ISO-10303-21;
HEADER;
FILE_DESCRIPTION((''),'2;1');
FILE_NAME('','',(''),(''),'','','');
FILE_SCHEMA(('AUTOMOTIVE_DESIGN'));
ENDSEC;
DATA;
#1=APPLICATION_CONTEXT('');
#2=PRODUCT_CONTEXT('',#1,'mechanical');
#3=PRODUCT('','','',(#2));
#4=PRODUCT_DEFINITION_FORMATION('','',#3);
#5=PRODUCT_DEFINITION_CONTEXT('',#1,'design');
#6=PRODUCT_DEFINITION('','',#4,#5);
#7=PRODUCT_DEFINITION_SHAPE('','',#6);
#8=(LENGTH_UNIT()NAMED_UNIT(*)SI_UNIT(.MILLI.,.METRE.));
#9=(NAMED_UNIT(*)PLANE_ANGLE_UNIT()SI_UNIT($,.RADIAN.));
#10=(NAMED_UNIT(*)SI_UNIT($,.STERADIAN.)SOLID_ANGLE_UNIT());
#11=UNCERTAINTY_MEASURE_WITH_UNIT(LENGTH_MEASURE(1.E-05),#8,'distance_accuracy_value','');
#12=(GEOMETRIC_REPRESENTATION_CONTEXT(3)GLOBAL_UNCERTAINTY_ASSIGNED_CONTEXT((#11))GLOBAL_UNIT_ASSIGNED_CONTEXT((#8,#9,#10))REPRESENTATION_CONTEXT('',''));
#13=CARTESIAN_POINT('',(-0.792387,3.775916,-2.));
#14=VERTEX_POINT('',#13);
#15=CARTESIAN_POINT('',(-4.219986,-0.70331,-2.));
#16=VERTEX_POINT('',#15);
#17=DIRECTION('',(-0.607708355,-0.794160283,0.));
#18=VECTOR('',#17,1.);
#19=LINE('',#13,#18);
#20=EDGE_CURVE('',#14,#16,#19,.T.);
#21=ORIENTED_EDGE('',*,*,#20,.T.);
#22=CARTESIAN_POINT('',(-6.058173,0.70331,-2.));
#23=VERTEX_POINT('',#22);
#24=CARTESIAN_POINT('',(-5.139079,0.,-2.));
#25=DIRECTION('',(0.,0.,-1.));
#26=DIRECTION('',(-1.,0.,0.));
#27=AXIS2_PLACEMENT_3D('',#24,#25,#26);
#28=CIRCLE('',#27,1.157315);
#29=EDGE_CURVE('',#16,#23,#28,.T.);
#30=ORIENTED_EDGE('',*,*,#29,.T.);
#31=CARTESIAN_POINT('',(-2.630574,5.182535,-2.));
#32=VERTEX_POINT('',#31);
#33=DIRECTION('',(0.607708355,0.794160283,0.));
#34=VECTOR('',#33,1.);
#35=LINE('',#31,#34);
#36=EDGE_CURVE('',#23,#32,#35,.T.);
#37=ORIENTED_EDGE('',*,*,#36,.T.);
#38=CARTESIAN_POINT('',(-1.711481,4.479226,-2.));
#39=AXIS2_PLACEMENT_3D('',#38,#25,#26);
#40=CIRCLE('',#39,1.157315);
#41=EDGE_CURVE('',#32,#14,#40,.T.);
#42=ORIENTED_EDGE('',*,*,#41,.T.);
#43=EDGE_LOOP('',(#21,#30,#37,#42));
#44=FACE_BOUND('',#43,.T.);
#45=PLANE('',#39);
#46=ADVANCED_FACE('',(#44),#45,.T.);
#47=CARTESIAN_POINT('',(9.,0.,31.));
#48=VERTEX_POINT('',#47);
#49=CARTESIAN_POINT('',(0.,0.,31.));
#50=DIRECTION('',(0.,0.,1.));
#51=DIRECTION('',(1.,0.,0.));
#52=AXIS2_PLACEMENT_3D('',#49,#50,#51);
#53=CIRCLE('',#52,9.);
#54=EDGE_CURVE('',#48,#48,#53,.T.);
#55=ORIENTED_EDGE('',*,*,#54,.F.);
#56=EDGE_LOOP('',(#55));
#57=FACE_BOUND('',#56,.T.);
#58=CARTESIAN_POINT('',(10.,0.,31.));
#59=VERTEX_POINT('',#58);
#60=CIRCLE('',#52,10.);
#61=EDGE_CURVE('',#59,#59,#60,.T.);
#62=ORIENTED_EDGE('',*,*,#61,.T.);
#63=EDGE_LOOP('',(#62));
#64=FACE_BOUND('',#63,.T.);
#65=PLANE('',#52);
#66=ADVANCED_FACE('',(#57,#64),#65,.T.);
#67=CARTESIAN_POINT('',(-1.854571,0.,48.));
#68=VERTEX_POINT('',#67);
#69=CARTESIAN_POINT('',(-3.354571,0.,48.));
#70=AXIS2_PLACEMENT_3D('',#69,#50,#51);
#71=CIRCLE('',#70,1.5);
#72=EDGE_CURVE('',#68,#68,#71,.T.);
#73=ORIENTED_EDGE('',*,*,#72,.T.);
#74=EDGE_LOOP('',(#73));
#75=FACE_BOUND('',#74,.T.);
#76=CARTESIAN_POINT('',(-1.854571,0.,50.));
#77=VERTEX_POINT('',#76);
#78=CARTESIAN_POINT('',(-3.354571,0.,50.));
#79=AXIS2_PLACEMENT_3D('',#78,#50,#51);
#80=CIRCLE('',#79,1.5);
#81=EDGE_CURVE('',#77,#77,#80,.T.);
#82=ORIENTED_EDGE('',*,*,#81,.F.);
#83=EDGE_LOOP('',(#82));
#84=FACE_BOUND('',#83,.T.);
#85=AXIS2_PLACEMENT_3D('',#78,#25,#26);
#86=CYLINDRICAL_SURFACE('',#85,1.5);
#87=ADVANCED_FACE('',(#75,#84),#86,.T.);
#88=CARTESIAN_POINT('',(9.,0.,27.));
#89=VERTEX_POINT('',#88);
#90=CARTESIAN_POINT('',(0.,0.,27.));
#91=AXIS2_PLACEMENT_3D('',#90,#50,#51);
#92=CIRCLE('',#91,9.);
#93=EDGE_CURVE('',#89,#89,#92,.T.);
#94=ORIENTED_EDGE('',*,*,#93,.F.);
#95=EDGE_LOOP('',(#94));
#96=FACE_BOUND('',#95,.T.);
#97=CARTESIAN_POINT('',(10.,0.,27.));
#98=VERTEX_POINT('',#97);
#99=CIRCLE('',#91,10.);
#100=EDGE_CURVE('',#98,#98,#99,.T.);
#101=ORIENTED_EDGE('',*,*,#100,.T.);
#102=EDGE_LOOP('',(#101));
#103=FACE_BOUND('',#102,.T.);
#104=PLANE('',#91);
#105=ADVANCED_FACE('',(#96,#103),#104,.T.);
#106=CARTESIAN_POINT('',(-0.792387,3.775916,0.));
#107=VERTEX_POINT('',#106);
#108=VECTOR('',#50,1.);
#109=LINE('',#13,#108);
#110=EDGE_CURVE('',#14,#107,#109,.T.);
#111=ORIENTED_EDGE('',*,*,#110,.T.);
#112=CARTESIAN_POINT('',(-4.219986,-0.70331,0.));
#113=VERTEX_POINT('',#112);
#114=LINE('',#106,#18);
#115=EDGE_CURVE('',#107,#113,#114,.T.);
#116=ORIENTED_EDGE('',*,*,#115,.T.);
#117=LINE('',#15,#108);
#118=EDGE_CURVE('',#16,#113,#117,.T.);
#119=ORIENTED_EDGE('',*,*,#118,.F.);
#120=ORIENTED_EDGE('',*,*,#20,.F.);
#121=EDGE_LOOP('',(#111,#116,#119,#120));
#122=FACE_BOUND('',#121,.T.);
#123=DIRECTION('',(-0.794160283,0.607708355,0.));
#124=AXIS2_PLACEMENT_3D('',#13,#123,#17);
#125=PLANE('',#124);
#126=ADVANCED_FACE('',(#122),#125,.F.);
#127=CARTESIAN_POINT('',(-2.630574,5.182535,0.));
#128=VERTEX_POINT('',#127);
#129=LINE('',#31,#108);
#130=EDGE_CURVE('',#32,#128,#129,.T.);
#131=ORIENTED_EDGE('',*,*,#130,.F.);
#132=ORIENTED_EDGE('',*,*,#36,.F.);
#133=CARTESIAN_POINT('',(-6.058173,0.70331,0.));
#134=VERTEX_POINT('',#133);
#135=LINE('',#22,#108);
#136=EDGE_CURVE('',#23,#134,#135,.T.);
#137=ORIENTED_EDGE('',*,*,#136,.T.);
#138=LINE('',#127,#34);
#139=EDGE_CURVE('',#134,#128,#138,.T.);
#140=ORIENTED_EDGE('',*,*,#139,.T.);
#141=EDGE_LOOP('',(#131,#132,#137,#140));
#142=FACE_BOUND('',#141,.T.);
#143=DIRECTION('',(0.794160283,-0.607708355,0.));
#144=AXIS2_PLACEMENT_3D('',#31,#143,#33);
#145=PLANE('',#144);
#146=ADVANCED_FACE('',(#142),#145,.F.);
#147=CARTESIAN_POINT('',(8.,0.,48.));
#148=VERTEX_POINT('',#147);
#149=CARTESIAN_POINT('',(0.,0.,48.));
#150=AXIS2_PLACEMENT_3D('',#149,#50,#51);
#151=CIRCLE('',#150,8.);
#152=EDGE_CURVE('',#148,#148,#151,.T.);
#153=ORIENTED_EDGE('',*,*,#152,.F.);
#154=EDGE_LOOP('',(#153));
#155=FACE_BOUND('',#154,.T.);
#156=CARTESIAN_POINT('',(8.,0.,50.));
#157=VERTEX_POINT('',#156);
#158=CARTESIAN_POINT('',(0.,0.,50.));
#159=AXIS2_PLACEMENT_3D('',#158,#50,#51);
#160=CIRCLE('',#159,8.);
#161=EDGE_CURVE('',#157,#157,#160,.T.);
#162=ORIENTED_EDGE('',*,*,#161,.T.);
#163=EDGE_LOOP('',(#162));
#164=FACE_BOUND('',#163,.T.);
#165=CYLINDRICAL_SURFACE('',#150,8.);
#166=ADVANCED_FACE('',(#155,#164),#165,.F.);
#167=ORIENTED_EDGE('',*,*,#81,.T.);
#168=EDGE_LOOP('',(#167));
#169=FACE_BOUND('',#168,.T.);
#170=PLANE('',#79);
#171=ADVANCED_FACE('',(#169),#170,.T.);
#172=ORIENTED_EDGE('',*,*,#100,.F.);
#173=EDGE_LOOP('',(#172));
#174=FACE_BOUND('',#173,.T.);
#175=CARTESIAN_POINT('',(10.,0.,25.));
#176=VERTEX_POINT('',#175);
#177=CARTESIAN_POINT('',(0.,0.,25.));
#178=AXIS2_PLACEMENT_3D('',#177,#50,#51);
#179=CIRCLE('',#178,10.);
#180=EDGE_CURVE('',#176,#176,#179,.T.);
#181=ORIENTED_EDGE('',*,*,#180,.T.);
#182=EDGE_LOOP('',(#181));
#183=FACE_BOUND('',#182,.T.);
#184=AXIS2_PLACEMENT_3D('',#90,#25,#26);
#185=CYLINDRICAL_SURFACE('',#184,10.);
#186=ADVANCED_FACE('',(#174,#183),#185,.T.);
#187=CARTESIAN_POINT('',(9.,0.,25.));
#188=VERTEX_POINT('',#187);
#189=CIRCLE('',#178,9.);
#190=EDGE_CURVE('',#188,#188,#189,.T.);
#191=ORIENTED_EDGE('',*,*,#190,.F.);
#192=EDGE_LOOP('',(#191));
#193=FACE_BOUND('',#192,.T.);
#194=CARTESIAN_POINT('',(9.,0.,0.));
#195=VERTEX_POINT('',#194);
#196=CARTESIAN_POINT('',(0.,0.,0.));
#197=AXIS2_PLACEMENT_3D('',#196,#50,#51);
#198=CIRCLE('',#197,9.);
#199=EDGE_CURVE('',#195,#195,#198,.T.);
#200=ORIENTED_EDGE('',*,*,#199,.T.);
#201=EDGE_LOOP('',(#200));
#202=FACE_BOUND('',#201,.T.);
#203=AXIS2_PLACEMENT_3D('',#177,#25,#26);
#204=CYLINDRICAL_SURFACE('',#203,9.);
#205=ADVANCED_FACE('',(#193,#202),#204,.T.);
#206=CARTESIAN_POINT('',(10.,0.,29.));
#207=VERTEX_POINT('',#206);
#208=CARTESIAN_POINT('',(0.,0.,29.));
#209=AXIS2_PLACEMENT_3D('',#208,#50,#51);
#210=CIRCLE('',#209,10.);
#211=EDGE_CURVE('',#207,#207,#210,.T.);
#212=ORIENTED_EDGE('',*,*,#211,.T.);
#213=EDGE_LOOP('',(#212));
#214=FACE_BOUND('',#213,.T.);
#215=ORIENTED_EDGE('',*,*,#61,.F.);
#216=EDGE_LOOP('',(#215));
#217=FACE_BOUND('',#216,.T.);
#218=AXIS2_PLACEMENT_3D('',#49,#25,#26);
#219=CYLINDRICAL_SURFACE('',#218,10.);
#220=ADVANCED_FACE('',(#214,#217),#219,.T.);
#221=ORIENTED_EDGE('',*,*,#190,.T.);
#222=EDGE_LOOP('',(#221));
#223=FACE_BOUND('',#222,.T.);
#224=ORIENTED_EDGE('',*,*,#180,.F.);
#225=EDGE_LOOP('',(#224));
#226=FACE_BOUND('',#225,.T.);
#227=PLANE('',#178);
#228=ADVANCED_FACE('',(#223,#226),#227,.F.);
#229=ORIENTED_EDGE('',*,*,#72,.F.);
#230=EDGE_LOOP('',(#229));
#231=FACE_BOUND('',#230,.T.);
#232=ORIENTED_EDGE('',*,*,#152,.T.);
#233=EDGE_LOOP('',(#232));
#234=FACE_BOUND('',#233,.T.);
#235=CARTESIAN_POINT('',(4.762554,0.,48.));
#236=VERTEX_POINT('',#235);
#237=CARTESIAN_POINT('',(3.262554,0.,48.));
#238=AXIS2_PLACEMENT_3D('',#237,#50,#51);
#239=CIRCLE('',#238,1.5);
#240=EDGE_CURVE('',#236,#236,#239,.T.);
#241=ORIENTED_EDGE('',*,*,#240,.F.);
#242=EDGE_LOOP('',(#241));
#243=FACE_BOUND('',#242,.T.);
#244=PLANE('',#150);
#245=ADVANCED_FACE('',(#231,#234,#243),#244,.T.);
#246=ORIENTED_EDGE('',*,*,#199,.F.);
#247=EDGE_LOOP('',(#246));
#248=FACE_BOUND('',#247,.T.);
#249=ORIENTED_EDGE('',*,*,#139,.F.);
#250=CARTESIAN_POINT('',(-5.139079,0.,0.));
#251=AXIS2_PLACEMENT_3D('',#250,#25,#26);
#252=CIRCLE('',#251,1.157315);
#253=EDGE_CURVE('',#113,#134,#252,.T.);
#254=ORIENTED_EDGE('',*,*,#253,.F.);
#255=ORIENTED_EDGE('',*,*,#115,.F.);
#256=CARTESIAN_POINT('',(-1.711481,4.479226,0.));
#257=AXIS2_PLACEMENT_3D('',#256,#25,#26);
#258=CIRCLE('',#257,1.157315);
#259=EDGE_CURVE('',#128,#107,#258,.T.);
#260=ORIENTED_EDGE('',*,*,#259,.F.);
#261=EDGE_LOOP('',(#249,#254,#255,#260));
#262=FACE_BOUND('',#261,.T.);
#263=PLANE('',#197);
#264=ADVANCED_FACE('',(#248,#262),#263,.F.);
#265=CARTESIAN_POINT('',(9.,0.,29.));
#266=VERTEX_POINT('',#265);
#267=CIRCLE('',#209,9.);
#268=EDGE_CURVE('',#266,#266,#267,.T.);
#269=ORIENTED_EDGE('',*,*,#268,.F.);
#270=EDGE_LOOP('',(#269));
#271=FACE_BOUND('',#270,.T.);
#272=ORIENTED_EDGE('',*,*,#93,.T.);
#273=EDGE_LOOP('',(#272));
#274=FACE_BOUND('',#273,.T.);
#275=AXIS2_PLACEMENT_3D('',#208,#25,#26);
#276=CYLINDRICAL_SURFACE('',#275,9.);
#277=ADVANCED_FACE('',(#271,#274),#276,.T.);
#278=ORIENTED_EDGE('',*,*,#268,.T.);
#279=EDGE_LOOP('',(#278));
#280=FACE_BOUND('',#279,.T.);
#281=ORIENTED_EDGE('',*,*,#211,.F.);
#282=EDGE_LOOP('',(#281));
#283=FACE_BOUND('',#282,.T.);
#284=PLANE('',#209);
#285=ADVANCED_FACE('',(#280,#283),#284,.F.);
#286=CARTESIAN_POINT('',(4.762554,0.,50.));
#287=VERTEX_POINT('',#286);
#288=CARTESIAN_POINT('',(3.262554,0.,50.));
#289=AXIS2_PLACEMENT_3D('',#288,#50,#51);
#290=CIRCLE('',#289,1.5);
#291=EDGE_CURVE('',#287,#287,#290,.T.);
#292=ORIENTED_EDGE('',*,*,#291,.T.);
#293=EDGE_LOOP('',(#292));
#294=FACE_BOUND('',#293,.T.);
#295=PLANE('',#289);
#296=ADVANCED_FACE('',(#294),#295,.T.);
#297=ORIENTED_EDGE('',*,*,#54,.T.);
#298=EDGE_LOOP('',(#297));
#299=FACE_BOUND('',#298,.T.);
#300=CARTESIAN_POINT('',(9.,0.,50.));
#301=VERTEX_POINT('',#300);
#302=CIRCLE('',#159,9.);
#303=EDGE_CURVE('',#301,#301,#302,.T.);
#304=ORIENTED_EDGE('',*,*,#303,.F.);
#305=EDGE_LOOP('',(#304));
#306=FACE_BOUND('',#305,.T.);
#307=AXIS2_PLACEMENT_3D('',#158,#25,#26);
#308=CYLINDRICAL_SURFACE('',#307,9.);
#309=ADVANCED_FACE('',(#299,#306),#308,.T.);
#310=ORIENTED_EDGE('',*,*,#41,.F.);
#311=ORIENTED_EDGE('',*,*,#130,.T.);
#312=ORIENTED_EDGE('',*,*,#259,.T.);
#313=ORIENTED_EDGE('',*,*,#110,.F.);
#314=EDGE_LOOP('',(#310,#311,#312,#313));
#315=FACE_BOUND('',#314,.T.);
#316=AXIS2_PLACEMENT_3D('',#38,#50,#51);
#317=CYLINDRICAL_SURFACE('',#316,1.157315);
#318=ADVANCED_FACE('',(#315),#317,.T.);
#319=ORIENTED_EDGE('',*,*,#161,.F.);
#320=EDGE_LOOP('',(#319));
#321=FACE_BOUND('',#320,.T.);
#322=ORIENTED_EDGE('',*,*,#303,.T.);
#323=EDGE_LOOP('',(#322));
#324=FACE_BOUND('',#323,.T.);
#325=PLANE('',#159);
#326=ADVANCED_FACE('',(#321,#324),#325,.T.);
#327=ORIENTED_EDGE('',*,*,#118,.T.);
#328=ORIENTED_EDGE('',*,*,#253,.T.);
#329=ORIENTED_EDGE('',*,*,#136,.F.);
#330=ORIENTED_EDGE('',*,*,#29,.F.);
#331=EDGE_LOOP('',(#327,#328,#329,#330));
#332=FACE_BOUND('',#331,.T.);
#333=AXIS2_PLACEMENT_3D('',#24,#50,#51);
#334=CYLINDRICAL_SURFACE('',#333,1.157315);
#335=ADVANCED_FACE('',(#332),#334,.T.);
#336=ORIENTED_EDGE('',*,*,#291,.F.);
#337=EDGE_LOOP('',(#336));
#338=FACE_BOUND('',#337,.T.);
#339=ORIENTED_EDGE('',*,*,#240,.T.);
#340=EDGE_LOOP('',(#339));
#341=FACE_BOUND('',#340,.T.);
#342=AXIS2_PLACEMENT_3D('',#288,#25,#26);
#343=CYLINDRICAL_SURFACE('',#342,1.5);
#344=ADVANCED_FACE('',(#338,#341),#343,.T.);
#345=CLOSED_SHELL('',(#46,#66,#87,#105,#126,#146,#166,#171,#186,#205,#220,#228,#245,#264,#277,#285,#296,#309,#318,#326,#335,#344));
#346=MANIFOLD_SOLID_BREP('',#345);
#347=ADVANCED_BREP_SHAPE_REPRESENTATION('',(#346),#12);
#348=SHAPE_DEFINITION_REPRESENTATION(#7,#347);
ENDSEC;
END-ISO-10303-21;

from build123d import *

# Parameters (mm, degrees)
SKETCH1_R           = 9
BOSS_EXTRUDE1_DEPTH = 25
SKETCH3_R           = 10
BOSS_EXTRUDE2_DEPTH = 2
SKETCH4_R           = 9
BOSS_EXTRUDE3_DEPTH = 2
SKETCH5_R           = 10
BOSS_EXTRUDE4_DEPTH = 2
SKETCH6_R           = 9
BOSS_EXTRUDE5_DEPTH = 19
SKETCH7_R           = 8
CUT_EXTRUDE1_DEPTH  = 2
SKETCH8_R           = 1.5
BOSS_EXTRUDE6_DEPTH = 2
BOSS_EXTRUDE7_DEPTH = 2


with BuildPart() as part:
    # Sketch1 → Boss-Extrude1 (new body)
    with BuildSketch(Plane.XY):
        Circle(SKETCH1_R)
    extrude(amount=BOSS_EXTRUDE1_DEPTH)

    # Sketch3 → Boss-Extrude2 (add)
    with BuildSketch(Plane.XY.offset(25)):
        Circle(SKETCH3_R)
    extrude(amount=BOSS_EXTRUDE2_DEPTH)

    # Sketch4 → Boss-Extrude3 (add)
    with BuildSketch(Plane.XY.offset(27)):
        Circle(SKETCH4_R)
    extrude(amount=BOSS_EXTRUDE3_DEPTH)

    # Sketch5 → Boss-Extrude4 (add)
    with BuildSketch(Plane.XY.offset(29)):
        Circle(SKETCH5_R)
    extrude(amount=BOSS_EXTRUDE4_DEPTH)

    # Sketch6 → Boss-Extrude5 (add)
    with BuildSketch(Plane.XY.offset(31)):
        Circle(SKETCH6_R)
    extrude(amount=BOSS_EXTRUDE5_DEPTH)

    # Sketch7 → Cut-Extrude1 (cut)
    with BuildSketch(Plane.XY.offset(50)):
        Circle(SKETCH7_R)
    extrude(amount=-CUT_EXTRUDE1_DEPTH, mode=Mode.SUBTRACT)

    # Sketch8 → Boss-Extrude6 (add)
    with BuildSketch(Plane.XY.offset(48)):
        with Locations((-3.354571174, 0)):
            Circle(SKETCH8_R)
        with Locations((3.262554329, 0)):
            Circle(SKETCH8_R)
    extrude(amount=BOSS_EXTRUDE6_DEPTH)

    # Sketch9 → Boss-Extrude7 (add)
    with BuildSketch(Plane(origin=(0, 0, 0), x_dir=(-1, 0, 0), z_dir=(0, 0, -1))):
        with BuildLine():
            Line((2.630574057, 5.182535367), (6.058172796, 0.703309821))
            ThreePointArc((6.058172796, 0.703309821), (5.842389235, -0.919093383), (4.219986031, -0.703309821))
            Line((4.219986031, -0.703309821), (0.792387292, 3.775915724))
            ThreePointArc((0.792387292, 3.775915724), (1.008170853, 5.398318928), (2.630574057, 5.182535367))
        make_face()
    extrude(amount=BOSS_EXTRUDE7_DEPTH)


solid = part.part
